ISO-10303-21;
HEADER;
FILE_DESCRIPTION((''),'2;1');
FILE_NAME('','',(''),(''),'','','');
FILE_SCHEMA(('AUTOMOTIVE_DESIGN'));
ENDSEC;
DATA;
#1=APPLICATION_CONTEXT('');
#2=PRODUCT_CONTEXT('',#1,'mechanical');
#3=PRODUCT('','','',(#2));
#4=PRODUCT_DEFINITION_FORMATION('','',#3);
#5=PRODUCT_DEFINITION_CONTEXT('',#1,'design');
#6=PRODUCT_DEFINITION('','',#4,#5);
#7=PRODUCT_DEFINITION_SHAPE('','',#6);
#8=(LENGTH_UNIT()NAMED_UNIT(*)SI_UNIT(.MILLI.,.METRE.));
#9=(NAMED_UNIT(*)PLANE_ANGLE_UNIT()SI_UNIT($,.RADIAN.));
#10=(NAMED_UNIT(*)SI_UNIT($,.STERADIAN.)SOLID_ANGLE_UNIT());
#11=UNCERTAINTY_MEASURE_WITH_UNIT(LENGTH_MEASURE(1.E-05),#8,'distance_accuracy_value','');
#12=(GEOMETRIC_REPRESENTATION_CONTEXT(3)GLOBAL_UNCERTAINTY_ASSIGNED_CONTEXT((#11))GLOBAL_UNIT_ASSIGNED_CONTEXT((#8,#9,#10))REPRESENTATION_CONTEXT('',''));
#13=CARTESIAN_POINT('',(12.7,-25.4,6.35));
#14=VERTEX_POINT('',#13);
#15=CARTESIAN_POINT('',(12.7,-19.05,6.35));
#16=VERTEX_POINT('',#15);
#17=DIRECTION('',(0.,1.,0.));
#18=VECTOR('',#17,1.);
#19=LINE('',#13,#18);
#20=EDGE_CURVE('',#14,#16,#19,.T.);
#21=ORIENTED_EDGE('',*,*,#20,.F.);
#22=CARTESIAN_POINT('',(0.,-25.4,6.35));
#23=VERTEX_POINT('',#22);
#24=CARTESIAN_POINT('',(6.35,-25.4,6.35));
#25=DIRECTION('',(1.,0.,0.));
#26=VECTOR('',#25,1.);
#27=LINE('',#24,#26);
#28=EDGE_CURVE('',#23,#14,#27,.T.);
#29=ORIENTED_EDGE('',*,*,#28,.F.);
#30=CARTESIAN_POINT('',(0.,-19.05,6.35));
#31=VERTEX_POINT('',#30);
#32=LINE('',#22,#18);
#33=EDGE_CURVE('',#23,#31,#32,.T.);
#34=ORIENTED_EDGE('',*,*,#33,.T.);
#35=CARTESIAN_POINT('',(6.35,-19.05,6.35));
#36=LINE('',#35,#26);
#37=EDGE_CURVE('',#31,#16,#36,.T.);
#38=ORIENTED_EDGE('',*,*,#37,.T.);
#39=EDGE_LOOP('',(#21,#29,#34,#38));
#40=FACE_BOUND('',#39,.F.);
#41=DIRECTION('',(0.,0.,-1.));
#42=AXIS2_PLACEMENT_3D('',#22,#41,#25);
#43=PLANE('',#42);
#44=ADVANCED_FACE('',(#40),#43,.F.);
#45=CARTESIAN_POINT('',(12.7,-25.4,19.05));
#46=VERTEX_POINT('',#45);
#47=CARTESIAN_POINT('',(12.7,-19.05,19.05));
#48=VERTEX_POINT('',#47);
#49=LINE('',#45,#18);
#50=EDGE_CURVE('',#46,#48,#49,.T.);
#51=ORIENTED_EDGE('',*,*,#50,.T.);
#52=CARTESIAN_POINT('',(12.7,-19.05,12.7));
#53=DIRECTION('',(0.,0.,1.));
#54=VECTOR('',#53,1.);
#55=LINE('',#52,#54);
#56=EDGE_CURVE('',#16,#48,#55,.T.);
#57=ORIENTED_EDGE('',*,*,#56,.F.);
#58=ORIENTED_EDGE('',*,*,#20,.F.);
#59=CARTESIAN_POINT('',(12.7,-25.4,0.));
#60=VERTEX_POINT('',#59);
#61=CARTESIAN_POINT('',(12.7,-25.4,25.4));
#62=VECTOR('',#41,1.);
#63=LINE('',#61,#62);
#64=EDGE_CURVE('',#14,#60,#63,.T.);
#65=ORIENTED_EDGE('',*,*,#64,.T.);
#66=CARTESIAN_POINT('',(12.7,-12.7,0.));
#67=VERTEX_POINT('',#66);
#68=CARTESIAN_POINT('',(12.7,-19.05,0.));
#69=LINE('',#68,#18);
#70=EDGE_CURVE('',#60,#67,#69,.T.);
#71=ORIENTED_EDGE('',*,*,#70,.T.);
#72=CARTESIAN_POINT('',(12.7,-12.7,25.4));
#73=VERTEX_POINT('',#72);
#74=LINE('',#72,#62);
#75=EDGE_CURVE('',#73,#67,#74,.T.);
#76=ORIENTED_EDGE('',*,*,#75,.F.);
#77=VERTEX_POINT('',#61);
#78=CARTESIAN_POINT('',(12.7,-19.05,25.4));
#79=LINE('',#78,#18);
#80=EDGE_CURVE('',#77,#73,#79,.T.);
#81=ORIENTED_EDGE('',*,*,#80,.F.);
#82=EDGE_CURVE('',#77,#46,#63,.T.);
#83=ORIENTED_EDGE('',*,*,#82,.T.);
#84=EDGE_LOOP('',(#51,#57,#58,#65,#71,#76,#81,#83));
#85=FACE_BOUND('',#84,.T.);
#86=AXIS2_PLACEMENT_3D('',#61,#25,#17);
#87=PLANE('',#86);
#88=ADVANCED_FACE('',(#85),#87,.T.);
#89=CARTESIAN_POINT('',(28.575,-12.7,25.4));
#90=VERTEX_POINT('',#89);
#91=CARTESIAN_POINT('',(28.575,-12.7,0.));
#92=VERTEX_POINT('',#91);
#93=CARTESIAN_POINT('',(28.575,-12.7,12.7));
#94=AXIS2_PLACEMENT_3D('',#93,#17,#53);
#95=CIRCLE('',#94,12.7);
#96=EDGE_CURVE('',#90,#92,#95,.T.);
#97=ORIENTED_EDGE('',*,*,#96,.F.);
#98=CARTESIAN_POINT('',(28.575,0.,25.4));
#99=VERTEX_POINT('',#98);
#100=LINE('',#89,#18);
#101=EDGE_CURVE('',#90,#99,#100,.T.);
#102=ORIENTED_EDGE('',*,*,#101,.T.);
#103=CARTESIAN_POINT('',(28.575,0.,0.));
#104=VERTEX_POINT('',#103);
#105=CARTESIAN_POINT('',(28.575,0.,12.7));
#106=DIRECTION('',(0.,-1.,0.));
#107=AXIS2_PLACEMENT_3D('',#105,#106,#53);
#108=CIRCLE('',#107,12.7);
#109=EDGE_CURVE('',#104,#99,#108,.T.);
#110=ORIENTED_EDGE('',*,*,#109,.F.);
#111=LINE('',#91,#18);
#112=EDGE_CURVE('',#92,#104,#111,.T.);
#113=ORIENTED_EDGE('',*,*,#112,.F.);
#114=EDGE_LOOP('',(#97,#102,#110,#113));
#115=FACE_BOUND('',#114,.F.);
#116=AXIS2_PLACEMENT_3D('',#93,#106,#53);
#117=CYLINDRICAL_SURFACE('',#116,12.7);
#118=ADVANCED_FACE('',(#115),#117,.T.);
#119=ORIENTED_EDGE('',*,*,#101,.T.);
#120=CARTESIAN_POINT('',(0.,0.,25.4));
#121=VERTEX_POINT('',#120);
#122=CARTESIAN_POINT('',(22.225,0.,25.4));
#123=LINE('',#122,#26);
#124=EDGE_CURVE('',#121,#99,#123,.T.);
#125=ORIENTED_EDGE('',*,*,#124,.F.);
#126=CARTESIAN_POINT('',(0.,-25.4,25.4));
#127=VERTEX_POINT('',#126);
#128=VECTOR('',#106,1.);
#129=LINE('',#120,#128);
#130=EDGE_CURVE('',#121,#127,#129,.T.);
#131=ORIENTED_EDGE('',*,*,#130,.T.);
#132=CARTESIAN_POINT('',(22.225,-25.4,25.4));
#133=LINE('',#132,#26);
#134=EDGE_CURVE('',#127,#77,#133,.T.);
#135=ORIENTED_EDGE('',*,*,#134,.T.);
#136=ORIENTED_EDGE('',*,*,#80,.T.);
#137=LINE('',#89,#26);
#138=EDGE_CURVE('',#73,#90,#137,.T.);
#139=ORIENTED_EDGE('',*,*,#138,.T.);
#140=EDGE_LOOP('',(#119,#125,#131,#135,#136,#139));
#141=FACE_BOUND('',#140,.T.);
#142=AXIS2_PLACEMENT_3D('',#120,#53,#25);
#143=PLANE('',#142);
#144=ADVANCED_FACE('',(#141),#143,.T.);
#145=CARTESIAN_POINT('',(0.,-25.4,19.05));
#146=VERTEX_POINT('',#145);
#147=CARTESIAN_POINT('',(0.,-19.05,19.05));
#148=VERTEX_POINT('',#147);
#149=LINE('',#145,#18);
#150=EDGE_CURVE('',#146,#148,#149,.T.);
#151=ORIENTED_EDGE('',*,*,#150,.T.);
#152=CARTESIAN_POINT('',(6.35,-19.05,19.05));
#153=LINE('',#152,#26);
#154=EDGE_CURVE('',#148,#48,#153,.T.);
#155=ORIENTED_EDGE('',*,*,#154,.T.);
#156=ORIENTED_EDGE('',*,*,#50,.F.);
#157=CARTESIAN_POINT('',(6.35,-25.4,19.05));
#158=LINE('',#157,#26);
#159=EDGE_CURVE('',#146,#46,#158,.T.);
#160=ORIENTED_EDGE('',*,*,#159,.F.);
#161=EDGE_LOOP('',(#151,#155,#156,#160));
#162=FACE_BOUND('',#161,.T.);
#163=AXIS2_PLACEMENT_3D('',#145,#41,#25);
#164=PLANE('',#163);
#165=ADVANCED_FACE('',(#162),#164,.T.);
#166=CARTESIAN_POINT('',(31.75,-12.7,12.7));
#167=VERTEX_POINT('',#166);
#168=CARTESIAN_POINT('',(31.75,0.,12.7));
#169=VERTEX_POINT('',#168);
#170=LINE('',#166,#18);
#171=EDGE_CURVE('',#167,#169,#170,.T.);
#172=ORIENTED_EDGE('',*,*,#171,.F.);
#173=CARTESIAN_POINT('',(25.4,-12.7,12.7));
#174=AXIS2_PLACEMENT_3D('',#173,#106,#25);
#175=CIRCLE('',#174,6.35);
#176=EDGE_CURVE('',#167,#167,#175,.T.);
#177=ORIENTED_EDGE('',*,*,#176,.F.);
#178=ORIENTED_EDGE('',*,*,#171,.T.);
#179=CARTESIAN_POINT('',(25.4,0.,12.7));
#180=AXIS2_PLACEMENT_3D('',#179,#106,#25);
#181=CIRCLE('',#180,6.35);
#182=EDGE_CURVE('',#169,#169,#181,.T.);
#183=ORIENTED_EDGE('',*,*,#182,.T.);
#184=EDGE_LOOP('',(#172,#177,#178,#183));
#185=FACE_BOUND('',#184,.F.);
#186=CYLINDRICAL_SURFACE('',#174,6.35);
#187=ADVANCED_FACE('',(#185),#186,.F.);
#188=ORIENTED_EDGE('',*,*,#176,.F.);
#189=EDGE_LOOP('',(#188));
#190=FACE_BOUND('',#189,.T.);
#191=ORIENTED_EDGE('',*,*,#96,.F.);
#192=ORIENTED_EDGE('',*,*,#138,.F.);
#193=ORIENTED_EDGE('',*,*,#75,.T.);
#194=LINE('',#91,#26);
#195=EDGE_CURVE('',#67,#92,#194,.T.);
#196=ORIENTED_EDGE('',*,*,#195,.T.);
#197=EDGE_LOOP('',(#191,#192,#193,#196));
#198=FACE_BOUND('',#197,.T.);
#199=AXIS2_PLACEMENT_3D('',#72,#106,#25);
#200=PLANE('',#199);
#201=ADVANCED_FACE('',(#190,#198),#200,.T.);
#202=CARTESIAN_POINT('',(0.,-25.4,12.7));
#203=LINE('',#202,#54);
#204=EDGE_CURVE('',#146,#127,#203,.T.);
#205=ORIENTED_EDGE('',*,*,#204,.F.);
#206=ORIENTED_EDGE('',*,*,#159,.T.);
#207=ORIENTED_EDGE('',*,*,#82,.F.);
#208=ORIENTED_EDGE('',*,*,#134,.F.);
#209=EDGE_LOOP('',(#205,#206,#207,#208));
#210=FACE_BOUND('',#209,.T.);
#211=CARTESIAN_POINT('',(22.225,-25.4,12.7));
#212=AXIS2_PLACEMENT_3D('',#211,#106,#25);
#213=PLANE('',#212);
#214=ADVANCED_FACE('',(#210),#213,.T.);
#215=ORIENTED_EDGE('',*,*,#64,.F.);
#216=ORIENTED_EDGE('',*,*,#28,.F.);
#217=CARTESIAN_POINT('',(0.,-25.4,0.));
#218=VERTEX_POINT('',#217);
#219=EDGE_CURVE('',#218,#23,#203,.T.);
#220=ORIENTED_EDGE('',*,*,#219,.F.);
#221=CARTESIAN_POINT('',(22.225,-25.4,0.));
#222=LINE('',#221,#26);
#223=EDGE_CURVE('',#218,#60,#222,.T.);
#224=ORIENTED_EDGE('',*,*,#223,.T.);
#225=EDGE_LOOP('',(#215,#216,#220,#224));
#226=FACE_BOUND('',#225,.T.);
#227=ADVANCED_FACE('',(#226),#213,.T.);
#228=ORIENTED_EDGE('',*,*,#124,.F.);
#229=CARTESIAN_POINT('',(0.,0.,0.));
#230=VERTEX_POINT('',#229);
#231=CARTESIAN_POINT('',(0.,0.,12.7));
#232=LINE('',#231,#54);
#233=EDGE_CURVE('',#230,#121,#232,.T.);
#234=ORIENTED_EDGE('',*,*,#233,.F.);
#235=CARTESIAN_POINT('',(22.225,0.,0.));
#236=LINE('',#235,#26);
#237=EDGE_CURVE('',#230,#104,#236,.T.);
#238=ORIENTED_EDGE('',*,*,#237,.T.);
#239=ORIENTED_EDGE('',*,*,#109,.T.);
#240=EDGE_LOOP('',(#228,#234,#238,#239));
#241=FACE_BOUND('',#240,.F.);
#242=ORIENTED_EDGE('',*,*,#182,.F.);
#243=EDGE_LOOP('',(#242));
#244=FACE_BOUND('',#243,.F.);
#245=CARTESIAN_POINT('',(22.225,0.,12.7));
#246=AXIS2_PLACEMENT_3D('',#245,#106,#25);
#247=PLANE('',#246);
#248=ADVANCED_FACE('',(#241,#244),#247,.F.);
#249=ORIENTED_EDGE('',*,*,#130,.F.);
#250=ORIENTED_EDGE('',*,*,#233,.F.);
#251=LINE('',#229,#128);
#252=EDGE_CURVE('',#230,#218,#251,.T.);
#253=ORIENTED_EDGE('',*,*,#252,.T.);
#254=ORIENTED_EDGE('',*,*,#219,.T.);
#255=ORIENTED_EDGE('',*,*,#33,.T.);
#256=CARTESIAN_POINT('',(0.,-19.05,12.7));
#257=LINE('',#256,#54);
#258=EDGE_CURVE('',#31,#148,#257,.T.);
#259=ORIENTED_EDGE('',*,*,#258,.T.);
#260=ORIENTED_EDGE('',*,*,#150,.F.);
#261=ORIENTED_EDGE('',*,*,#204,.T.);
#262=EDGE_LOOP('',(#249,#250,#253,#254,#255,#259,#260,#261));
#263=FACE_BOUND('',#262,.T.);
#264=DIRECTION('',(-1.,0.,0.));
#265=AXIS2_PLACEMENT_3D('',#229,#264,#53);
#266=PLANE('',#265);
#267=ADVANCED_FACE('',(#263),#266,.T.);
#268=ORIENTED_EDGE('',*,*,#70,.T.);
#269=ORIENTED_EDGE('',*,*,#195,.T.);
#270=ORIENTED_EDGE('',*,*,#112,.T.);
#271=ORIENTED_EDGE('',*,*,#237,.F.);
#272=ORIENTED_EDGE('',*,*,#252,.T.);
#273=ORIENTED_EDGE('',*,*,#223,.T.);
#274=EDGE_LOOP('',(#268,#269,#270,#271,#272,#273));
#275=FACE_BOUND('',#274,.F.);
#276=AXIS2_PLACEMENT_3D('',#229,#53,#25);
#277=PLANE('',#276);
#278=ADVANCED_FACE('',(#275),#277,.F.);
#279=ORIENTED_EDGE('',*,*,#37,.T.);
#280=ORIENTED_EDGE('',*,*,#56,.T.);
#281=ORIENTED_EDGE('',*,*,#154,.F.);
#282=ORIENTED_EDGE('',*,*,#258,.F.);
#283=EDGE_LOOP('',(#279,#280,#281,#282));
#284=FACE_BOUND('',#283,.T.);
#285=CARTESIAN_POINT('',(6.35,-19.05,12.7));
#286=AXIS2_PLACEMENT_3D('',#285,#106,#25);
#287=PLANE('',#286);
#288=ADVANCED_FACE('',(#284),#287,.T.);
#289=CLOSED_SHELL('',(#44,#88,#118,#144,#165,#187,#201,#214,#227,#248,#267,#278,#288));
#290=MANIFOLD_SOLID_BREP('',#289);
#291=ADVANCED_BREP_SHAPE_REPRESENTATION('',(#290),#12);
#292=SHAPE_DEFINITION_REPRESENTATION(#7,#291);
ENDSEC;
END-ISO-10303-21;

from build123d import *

# Parameters (mm, degrees)
F0_W     = 44.45
F0_H     = 25.4
F1_DEPTH = 25.4
F2_W     = 31.75
F2_H     = 12.7
F3_DEPTH = 25.4
F5_DEPTH = 25.4
F6_W     = 12.7
F6_H     = 12.7
F7_DEPTH = 6.35
F8_R     = 6.35
F9_DEPTH = 12.7


with BuildPart() as f1:
    # F0 (on Front) → F1 (new body)
    with BuildSketch(Plane.XZ):
        with Locations((22.225, 12.7)):
            Rectangle(F0_W, F0_H)
    extrude(amount=F1_DEPTH)

    # F2 (on face) → F3 (cut)
    with BuildSketch(Plane.XY.offset(25.4)):
        with Locations((28.575, -19.05)):
            Rectangle(F2_W, F2_H)
    extrude(amount=-F3_DEPTH, mode=Mode.SUBTRACT)

    # F4 (on face) → F5 (cut)
    with BuildSketch(Plane.XZ.offset(12.7)):
        with BuildLine():
            ThreePointArc((28.575, 25.4), (41.275, 12.7), (28.575, 0))
            Line((28.575, 0), (44.45, 0))
            Line((44.45, 0), (44.45, 25.4))
            Line((44.45, 25.4), (28.575, 25.4))
        make_face()
    extrude(amount=-F5_DEPTH, mode=Mode.SUBTRACT)

    # F6 (on face) → F7 (cut)
    with BuildSketch(Plane.XZ.offset(25.4)):
        with Locations((6.35, 12.7)):
            Rectangle(F6_W, F6_H)
    extrude(amount=-F7_DEPTH, mode=Mode.SUBTRACT)

    # F8 (on face) → F9 (cut, through all)
    with BuildSketch(Plane.XZ.offset(12.7)):
        with Locations((25.4, 12.7)):
            Circle(F8_R)
    extrude(amount=-F9_DEPTH, mode=Mode.SUBTRACT)


solid = f1.part
